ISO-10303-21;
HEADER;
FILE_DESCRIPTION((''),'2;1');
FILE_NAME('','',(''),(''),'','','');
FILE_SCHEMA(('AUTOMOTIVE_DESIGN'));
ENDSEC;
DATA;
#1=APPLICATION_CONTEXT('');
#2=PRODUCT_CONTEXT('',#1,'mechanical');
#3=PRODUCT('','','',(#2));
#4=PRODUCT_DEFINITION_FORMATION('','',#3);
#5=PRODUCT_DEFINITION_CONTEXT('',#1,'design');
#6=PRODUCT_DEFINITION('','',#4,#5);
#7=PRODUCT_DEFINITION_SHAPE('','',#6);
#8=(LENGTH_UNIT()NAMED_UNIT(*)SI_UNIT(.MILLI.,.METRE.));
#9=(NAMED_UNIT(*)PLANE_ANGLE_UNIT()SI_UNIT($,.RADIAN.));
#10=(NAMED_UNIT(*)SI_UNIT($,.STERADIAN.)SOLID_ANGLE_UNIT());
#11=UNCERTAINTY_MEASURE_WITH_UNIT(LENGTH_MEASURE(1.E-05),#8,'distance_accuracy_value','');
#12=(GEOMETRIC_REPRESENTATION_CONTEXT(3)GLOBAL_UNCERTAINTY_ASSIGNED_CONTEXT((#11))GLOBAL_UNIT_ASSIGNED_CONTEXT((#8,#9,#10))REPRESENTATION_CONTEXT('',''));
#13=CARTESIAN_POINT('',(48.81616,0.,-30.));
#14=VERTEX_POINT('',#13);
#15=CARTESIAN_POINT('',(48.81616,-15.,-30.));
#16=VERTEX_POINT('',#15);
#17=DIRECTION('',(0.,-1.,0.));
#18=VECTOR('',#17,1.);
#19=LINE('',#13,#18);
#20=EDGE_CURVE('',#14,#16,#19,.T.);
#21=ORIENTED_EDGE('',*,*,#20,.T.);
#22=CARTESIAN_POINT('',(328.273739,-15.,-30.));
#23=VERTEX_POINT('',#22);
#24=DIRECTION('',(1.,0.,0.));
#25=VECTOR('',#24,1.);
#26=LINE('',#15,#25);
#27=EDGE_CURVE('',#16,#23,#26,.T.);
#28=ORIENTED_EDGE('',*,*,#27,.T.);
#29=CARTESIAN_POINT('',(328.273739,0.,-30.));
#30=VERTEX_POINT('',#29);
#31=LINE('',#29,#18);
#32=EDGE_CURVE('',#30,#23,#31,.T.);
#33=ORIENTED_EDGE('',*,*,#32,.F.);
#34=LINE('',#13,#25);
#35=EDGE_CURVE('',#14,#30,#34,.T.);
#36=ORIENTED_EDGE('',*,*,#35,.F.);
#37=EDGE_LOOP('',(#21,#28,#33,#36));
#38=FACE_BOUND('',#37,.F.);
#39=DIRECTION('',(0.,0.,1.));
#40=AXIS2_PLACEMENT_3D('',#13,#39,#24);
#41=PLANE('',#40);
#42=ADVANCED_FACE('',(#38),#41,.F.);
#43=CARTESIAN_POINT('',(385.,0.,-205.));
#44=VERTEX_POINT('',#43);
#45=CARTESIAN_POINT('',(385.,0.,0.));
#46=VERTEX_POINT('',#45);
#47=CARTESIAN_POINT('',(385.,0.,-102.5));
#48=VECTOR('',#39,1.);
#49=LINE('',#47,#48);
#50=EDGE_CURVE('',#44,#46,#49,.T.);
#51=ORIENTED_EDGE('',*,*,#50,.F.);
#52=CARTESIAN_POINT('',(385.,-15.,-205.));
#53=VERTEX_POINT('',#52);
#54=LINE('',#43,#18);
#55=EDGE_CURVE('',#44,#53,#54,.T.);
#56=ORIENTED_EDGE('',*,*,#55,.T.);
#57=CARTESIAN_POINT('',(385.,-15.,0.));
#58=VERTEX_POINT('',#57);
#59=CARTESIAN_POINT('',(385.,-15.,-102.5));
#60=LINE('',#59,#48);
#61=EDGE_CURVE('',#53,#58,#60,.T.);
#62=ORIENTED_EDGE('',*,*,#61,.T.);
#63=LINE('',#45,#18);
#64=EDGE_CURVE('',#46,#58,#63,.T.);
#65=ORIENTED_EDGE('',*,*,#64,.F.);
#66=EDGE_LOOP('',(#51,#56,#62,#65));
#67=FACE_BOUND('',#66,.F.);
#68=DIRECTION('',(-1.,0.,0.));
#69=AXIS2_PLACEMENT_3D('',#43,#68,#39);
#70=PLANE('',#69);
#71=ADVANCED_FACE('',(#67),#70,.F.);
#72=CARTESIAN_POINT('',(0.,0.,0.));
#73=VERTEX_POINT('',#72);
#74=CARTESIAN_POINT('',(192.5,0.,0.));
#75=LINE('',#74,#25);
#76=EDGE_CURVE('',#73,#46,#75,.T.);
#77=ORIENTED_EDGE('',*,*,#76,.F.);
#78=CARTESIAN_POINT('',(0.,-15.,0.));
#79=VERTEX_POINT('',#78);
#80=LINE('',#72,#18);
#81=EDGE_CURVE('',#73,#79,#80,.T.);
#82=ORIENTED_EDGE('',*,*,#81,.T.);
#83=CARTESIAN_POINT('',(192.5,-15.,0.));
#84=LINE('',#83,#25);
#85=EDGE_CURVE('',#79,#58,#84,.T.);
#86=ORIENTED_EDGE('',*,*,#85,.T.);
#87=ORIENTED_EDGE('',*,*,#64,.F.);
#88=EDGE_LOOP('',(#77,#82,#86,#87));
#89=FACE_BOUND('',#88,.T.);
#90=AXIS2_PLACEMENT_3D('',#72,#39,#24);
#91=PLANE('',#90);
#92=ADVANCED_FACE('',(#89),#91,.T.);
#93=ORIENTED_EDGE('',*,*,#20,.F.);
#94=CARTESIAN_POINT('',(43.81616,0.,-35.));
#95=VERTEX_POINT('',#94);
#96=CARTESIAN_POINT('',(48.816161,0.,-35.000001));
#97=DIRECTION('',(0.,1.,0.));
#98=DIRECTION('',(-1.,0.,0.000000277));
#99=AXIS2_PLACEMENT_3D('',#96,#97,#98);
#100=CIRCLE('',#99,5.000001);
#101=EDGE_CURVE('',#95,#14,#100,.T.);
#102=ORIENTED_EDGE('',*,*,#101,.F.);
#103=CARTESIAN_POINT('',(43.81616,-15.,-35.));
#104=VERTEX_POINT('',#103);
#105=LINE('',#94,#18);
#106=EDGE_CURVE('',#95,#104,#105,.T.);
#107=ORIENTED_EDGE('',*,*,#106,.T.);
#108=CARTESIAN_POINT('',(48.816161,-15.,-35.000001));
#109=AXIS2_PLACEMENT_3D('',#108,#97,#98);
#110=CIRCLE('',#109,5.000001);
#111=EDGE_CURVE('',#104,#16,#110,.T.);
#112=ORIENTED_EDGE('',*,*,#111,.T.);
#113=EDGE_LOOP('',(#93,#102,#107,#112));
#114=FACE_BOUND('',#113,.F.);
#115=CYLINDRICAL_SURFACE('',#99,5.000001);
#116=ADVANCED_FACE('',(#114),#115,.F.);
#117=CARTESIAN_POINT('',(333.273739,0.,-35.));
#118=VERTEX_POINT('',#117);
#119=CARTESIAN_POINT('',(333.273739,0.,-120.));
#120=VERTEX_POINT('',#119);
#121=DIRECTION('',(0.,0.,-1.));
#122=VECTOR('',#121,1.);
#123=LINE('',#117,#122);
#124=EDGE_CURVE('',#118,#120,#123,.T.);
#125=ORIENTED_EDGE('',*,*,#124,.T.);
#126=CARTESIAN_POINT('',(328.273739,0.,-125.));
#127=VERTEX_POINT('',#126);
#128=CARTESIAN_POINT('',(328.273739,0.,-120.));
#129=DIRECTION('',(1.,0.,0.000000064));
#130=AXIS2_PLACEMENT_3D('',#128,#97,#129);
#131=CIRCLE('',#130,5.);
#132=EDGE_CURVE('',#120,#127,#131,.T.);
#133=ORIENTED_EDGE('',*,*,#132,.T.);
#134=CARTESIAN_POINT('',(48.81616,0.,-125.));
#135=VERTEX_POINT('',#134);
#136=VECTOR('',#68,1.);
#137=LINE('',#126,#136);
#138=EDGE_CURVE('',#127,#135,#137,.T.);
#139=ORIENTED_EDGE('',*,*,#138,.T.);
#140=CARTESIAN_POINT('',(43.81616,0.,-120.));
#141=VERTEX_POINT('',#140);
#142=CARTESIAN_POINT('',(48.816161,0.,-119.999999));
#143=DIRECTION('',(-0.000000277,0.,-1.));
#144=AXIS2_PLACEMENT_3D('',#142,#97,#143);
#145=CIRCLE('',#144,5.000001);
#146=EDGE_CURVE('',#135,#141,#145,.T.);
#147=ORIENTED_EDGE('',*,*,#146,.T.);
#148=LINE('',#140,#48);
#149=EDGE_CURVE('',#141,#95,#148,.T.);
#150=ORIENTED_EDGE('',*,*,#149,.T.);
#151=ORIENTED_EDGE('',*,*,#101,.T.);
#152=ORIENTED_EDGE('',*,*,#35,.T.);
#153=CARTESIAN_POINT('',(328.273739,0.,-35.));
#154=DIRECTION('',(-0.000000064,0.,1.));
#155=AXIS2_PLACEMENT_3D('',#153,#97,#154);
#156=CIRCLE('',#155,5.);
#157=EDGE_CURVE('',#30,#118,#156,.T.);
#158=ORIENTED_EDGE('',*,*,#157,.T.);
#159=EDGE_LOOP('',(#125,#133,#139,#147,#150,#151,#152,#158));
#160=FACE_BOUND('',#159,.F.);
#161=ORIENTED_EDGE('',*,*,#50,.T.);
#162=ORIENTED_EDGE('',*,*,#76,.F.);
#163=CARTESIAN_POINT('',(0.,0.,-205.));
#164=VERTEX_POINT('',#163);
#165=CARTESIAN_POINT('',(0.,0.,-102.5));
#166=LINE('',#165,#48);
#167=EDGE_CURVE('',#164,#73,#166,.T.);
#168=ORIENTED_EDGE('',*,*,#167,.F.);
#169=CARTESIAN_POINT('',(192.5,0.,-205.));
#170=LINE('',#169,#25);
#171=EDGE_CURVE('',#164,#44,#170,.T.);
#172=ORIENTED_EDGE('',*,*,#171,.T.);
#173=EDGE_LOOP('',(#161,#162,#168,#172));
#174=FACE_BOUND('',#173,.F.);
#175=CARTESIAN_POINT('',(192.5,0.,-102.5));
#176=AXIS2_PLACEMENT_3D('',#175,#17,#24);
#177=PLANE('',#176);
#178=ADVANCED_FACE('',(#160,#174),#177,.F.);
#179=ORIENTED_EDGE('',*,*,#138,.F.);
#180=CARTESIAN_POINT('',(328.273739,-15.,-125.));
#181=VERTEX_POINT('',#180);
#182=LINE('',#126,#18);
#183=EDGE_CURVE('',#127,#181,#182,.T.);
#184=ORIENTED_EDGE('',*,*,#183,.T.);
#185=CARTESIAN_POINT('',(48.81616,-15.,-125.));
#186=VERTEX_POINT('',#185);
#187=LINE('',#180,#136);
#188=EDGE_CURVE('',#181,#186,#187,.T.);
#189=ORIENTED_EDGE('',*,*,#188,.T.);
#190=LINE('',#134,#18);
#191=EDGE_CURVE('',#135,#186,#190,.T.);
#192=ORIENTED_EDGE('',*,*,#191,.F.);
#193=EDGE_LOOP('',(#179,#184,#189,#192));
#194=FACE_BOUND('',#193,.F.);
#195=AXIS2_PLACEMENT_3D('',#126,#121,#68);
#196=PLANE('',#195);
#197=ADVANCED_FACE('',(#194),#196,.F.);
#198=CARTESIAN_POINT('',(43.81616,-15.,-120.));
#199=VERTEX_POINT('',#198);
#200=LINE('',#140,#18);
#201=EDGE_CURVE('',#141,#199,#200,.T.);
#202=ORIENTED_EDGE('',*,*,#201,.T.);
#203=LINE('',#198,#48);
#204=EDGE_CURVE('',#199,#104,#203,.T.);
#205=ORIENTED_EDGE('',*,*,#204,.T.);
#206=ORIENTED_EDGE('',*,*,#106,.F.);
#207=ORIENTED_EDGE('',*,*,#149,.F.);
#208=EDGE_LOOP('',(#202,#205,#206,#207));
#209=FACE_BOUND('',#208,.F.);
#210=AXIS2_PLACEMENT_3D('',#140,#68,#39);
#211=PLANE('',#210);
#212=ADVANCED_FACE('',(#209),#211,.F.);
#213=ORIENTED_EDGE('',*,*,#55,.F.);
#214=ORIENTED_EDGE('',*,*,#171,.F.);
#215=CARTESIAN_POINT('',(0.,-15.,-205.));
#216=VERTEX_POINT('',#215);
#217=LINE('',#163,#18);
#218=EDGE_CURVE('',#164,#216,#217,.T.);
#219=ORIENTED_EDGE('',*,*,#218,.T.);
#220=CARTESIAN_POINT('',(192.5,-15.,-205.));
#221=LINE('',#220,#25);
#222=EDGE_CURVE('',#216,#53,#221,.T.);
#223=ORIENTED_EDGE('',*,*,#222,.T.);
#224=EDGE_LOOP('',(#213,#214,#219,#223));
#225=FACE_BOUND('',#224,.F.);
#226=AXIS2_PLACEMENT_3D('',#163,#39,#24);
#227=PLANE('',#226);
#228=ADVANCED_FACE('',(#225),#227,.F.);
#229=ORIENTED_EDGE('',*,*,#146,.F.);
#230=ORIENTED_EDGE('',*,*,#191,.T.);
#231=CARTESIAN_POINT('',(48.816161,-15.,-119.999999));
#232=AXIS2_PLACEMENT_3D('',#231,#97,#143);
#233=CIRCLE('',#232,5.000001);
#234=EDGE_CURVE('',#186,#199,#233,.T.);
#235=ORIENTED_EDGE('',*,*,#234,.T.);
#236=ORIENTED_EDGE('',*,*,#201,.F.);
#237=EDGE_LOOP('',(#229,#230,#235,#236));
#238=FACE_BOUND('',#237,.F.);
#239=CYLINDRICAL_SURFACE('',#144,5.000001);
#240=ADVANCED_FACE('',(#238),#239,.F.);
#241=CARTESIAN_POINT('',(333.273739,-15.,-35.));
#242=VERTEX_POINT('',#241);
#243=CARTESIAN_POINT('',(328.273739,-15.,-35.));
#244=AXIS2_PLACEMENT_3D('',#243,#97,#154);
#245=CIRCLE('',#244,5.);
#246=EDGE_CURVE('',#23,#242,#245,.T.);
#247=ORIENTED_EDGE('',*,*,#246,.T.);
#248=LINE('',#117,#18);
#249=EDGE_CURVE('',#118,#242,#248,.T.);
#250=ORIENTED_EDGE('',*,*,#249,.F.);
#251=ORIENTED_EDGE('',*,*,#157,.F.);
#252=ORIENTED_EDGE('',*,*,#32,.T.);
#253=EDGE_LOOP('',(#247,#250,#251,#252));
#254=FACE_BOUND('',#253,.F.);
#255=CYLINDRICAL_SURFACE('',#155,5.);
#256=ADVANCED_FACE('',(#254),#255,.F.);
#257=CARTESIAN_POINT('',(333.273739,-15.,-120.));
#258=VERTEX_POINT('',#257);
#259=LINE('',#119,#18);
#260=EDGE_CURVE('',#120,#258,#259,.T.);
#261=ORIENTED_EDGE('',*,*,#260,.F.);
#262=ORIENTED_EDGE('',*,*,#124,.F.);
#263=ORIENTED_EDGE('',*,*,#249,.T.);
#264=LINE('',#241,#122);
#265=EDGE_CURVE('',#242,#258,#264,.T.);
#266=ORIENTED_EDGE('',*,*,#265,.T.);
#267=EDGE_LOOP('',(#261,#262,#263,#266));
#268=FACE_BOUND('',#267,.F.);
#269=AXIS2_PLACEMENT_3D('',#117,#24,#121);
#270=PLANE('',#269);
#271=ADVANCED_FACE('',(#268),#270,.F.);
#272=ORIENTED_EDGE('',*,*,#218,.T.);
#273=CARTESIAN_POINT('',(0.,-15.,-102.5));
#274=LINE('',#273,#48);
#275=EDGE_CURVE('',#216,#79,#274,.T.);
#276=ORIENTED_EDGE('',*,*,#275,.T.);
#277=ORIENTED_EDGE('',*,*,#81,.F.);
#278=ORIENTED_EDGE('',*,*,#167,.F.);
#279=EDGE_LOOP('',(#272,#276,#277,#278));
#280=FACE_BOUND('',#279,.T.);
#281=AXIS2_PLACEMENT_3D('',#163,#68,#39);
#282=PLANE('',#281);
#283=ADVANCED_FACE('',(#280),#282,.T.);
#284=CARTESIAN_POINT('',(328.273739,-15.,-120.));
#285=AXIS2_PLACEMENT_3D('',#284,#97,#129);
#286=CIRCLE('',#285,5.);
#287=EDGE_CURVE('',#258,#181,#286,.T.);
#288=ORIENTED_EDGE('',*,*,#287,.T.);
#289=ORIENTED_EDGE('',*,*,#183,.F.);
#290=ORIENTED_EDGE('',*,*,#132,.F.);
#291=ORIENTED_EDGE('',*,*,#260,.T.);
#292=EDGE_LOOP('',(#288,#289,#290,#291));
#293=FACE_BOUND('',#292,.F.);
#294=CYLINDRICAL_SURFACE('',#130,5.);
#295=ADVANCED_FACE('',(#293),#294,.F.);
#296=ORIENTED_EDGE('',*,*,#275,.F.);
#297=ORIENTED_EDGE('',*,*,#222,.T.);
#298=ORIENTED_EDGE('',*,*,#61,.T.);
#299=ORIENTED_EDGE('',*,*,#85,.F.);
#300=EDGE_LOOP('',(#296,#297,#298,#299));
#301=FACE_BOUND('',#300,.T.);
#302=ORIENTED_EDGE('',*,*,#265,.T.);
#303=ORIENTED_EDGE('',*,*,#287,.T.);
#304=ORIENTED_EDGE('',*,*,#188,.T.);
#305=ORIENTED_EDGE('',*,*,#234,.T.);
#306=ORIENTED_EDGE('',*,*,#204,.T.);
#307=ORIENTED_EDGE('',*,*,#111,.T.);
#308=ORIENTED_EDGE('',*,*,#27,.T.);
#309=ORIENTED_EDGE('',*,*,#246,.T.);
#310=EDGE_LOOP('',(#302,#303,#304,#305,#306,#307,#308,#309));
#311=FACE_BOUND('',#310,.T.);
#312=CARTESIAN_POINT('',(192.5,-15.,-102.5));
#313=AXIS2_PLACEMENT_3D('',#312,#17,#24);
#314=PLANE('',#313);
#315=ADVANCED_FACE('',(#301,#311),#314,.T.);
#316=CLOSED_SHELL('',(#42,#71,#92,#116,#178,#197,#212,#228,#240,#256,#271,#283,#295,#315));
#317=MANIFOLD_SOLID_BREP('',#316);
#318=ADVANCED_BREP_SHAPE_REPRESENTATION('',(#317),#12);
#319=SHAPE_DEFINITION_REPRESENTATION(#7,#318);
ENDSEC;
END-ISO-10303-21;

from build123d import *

# Parameters (mm, degrees)
F0_W     = 385
F0_H     = 205
F1_DEPTH = 15


with BuildPart() as f1:
    # F0 (on Front) → F1 (new body)
    with BuildSketch(Plane.XZ):
        with Locations((192.5, -102.5)):
            Rectangle(F0_W, F0_H)
        with BuildLine():
            ThreePointArc((43.81616, -35), (45.280627, -31.464466), (48.81616, -30))
            Line((48.81616, -30), (328.273739, -30))
            ThreePointArc((328.273739, -30), (331.809273, -31.464466), (333.273739, -35))
            Line((333.273739, -35), (333.273739, -120))
            ThreePointArc((333.273739, -120), (331.809273, -123.535534), (328.273739, -125))
            Line((328.273739, -125), (48.81616, -125))
            ThreePointArc((48.81616, -125), (45.280627, -123.535534), (43.81616, -120))
            Line((43.81616, -120), (43.81616, -35))
        make_face(mode=Mode.SUBTRACT)
    extrude(amount=F1_DEPTH)


solid = f1.part
